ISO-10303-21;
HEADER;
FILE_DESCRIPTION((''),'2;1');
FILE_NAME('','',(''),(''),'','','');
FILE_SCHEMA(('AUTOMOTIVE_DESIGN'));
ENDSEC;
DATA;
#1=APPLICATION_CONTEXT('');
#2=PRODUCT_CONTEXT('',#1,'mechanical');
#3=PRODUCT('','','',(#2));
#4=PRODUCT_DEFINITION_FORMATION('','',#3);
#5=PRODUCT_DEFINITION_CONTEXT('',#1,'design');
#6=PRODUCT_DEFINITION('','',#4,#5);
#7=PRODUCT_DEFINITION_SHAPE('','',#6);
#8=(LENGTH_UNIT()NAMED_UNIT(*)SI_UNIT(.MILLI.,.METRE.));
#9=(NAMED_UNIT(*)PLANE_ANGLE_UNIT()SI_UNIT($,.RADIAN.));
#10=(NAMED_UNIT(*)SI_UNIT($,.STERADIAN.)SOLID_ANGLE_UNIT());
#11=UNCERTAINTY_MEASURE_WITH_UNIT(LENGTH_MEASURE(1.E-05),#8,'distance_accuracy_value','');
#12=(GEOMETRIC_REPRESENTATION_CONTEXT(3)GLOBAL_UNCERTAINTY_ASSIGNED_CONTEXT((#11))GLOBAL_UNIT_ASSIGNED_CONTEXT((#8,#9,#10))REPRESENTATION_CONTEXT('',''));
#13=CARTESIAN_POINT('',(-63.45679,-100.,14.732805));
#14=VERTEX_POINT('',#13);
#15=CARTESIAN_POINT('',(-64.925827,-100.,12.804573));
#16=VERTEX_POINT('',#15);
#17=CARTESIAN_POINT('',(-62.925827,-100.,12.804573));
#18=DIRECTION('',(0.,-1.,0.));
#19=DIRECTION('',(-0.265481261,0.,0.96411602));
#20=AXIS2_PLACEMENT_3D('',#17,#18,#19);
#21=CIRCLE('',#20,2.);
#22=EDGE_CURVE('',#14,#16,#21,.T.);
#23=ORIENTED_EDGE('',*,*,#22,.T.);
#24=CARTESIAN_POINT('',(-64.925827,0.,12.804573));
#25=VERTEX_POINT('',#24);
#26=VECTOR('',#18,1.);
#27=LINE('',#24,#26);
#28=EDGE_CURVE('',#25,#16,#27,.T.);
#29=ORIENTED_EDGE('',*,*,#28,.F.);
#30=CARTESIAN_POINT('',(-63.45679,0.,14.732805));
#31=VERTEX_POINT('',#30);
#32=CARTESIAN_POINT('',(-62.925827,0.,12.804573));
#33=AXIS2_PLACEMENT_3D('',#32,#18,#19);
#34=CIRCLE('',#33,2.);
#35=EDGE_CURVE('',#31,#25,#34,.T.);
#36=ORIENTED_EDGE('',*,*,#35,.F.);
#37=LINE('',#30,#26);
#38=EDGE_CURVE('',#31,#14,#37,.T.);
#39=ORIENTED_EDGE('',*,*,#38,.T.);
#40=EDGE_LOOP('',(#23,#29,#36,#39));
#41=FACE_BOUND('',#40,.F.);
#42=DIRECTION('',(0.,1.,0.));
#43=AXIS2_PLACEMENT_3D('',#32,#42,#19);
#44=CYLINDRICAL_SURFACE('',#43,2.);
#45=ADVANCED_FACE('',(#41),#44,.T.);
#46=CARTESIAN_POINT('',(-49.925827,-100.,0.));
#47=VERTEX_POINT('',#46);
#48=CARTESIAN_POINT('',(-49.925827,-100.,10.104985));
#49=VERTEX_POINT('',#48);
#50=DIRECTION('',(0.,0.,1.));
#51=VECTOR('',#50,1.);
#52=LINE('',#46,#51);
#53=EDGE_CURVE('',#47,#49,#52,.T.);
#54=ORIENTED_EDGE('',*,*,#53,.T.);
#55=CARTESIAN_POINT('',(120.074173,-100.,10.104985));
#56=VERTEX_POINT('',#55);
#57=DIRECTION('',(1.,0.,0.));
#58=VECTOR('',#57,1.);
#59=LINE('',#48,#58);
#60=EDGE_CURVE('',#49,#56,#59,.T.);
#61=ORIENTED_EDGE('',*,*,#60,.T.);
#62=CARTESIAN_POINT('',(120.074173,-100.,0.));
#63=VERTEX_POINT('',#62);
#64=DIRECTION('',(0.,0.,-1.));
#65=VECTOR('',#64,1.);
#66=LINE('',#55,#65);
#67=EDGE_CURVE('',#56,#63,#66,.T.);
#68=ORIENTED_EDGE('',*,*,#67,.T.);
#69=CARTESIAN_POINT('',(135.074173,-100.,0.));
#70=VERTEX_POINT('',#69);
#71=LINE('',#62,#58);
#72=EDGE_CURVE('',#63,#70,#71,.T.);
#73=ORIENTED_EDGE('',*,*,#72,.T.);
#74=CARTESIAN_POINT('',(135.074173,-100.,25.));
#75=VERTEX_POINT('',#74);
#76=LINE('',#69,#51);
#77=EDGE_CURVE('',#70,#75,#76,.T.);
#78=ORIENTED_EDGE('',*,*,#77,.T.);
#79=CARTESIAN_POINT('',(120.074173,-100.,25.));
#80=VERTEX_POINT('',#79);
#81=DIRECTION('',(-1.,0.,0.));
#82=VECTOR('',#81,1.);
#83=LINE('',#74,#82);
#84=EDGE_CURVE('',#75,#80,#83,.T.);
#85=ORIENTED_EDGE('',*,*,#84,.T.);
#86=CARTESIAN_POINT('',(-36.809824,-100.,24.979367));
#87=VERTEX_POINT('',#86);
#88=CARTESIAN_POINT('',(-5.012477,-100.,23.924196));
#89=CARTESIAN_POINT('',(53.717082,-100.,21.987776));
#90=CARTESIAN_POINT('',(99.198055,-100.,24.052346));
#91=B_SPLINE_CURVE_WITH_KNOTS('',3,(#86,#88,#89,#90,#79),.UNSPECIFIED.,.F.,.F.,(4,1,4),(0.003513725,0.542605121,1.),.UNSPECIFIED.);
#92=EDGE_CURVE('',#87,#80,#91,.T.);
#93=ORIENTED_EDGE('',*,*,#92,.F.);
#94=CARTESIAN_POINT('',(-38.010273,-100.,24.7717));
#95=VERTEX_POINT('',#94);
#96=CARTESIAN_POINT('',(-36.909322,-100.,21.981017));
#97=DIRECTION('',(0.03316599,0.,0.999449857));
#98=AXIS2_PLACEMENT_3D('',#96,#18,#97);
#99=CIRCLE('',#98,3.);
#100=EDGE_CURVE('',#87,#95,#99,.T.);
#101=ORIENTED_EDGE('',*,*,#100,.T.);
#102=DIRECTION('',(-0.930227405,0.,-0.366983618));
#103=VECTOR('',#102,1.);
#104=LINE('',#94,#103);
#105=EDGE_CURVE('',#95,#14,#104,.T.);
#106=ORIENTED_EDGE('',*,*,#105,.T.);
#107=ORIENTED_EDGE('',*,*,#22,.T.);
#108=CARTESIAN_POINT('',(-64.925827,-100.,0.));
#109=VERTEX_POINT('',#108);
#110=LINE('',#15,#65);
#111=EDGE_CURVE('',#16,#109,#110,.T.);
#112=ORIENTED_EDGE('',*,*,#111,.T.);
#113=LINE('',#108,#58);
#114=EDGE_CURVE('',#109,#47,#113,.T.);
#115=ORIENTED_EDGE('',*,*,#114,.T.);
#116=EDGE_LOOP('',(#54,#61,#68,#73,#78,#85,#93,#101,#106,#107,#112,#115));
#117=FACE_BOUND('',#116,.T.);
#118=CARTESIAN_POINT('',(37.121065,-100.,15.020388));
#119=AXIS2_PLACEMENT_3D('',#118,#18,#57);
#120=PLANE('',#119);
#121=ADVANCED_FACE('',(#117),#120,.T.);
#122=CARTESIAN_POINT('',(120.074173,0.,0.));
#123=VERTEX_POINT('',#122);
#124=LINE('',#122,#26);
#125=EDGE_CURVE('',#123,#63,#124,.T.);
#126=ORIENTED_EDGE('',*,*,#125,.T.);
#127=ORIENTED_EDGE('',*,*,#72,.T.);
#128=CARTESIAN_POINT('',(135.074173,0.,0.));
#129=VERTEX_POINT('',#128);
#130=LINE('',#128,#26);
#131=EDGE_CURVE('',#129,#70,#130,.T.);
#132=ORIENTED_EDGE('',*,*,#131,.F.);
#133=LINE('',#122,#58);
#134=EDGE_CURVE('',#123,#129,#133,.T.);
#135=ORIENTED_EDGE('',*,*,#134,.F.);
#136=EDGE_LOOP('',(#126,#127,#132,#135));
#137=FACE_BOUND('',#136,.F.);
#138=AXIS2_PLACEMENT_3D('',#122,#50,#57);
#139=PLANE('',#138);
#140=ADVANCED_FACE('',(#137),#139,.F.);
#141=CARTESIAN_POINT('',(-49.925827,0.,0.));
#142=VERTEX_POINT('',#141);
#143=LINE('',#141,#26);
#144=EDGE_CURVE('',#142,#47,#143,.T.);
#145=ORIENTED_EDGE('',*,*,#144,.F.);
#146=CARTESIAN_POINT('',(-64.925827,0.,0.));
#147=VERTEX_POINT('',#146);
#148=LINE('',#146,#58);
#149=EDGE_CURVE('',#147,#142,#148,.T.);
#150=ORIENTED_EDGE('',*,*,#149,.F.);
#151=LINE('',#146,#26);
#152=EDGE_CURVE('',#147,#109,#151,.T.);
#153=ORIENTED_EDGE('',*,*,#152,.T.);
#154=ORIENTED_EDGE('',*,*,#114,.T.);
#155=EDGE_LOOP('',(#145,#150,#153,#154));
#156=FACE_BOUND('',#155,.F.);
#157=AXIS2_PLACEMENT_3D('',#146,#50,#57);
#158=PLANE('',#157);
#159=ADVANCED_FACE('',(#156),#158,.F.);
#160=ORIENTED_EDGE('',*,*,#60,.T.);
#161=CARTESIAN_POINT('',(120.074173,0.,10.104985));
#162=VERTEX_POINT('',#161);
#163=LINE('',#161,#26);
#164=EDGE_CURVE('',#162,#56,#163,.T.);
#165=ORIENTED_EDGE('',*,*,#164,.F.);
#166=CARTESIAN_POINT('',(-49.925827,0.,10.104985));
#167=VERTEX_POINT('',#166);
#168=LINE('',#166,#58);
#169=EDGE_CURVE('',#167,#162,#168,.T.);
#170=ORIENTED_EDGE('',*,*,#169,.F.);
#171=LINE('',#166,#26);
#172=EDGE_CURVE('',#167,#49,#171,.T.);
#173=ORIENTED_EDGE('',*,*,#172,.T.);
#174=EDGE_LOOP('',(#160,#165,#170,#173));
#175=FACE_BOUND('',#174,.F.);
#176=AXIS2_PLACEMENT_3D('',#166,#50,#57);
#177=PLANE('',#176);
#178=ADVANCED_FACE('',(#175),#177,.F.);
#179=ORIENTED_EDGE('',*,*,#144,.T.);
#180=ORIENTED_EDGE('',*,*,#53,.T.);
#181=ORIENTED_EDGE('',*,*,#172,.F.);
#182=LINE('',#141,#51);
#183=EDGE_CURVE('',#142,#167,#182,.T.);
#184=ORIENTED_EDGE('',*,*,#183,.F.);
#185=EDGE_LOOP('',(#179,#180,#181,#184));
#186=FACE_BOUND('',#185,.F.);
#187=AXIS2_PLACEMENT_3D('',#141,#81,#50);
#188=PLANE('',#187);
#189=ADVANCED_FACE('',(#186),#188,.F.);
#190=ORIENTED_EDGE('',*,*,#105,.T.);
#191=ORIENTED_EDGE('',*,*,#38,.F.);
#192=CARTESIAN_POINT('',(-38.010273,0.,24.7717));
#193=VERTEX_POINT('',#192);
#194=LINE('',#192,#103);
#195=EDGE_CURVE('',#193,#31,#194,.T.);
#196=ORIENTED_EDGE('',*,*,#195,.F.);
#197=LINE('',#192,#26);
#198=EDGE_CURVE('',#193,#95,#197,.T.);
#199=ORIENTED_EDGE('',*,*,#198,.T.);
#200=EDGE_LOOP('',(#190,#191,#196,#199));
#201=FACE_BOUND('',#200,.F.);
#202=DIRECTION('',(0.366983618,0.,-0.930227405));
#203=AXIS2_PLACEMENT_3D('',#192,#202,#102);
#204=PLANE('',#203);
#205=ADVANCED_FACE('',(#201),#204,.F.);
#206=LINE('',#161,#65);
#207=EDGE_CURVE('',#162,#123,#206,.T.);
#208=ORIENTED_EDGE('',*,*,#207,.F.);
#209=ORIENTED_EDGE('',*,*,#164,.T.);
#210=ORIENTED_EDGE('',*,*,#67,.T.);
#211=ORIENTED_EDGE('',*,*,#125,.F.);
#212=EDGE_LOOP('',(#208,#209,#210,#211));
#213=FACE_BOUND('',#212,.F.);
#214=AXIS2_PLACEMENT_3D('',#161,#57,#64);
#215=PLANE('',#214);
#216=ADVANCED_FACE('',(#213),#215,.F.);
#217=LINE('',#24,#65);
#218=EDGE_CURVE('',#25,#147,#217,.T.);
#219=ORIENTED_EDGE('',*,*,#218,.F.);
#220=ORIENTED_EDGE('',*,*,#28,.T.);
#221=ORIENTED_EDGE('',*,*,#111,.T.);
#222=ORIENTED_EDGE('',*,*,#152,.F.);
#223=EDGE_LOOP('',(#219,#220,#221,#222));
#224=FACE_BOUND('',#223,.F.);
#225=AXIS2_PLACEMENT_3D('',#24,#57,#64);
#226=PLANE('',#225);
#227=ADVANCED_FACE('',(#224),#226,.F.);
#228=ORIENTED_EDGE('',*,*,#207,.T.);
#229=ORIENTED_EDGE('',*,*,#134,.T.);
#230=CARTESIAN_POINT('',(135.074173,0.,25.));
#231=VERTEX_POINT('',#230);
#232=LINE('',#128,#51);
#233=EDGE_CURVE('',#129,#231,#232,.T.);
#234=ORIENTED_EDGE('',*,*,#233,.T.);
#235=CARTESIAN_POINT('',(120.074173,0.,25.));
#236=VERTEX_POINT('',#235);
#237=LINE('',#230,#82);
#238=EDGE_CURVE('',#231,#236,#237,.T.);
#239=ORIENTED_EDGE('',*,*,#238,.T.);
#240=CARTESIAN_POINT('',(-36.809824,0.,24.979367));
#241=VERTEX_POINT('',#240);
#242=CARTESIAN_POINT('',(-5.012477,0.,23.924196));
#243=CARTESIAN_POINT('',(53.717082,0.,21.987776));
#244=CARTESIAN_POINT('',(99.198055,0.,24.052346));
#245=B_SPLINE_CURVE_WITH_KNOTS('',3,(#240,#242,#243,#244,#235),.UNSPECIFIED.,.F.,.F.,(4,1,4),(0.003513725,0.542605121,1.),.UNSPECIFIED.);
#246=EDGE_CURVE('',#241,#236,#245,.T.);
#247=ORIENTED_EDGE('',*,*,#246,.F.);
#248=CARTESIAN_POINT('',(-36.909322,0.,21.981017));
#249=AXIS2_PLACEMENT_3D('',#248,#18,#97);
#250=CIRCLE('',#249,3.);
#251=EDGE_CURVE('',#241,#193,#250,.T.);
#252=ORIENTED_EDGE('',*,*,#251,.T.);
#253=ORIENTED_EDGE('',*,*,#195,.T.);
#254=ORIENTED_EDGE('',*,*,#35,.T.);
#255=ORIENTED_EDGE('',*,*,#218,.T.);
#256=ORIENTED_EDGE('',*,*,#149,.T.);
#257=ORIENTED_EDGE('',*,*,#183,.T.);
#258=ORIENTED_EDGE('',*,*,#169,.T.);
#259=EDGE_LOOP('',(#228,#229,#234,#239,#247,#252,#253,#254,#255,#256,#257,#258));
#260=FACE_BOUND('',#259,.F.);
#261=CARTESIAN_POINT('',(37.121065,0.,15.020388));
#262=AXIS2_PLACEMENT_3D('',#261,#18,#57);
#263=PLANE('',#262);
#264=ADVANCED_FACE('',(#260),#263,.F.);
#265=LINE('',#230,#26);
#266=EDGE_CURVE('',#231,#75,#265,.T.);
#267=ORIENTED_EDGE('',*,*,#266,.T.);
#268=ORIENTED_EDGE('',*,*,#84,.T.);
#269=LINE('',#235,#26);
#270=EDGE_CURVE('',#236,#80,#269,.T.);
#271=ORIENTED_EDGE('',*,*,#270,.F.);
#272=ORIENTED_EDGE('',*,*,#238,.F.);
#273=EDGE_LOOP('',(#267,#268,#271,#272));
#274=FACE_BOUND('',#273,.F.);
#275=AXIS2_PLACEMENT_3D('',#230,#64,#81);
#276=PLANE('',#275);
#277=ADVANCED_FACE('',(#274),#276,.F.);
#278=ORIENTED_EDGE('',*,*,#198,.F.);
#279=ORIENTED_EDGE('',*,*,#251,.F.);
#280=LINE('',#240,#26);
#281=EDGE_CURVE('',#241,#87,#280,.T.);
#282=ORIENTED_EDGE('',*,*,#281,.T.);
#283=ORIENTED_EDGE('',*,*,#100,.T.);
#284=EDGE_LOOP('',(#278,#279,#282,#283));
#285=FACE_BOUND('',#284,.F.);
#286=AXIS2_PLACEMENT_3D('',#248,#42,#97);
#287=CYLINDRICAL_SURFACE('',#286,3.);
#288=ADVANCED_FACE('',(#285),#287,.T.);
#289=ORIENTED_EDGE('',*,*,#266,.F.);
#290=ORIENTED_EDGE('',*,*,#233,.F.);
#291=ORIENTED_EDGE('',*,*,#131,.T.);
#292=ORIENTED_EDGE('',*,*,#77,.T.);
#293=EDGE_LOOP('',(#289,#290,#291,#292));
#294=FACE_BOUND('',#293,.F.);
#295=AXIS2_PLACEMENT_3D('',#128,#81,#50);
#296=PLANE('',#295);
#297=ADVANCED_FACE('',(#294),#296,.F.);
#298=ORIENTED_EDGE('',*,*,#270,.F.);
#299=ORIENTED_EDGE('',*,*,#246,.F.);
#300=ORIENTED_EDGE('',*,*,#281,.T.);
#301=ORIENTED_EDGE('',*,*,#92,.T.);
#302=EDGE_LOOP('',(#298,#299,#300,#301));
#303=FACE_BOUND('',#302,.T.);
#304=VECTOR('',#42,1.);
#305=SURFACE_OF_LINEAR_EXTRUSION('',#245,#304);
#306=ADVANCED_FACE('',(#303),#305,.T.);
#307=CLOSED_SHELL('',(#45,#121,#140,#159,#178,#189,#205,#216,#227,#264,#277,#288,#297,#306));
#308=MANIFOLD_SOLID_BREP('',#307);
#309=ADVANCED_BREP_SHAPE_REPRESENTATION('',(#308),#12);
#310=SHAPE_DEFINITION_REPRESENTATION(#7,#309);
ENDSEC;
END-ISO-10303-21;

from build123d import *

# Parameters (mm, degrees)
F1_DEPTH = 100


with BuildPart() as f1:
    # F0 (on Front) → F1 (new body)
    with BuildSketch(Plane.XZ):
        with BuildLine():
            Line((120.0741728375, 0), (135.0741728375, 0))
            Line((135.0741728375, 0), (135.0741728375, 25))
            Line((135.0741728375, 25), (120.0741728375, 25))
            add(Edge.make_bspline(
                [(54.6545017668, 23), (78.3219379597, 23.1046927603), (99.1980553986, 24.0523463801), (120.0741728375, 25)],
                knots=[0.5426051209, 0.5426051209, 0.5426051209, 0.5426051209, 1, 1, 1, 1], degree=3))
            add(Edge.make_bspline(
                [(-36.8098244289, 24.9793669669), (-5.0124766294, 23.9241959427), (26.7597618153, 22.8766077872), (54.6545017668, 23)],
                knots=[0.0035137253, 0.0035137253, 0.0035137253, 0.0035137253, 0.5426051209, 0.5426051209, 0.5426051209, 0.5426051209], degree=3))
            ThreePointArc((-36.8098244289, 24.9793669669), (-37.4207013219, 24.9371113718), (-38.0102732534, 24.771699609))
            Line((-38.0102732534, 24.771699609), (-63.4567896839, 14.7328052322))
            ThreePointArc((-63.4567896839, 14.7328052322), (-64.5167270718, 14.0166117551), (-64.9258271625, 12.804573192))
            Line((-64.9258271625, 12.804573192), (-64.9258271625, 0))
            Line((-64.9258271625, 0), (-49.9258271625, 0))
            Line((-49.9258271625, 0), (-49.9258271625, 10.1049847556))
            Line((-49.9258271625, 10.1049847556), (120.0741728375, 10.1049847556))
            Line((120.0741728375, 10.1049847556), (120.0741728375, 0))
        make_face()
    extrude(amount=F1_DEPTH)


solid = f1.part
